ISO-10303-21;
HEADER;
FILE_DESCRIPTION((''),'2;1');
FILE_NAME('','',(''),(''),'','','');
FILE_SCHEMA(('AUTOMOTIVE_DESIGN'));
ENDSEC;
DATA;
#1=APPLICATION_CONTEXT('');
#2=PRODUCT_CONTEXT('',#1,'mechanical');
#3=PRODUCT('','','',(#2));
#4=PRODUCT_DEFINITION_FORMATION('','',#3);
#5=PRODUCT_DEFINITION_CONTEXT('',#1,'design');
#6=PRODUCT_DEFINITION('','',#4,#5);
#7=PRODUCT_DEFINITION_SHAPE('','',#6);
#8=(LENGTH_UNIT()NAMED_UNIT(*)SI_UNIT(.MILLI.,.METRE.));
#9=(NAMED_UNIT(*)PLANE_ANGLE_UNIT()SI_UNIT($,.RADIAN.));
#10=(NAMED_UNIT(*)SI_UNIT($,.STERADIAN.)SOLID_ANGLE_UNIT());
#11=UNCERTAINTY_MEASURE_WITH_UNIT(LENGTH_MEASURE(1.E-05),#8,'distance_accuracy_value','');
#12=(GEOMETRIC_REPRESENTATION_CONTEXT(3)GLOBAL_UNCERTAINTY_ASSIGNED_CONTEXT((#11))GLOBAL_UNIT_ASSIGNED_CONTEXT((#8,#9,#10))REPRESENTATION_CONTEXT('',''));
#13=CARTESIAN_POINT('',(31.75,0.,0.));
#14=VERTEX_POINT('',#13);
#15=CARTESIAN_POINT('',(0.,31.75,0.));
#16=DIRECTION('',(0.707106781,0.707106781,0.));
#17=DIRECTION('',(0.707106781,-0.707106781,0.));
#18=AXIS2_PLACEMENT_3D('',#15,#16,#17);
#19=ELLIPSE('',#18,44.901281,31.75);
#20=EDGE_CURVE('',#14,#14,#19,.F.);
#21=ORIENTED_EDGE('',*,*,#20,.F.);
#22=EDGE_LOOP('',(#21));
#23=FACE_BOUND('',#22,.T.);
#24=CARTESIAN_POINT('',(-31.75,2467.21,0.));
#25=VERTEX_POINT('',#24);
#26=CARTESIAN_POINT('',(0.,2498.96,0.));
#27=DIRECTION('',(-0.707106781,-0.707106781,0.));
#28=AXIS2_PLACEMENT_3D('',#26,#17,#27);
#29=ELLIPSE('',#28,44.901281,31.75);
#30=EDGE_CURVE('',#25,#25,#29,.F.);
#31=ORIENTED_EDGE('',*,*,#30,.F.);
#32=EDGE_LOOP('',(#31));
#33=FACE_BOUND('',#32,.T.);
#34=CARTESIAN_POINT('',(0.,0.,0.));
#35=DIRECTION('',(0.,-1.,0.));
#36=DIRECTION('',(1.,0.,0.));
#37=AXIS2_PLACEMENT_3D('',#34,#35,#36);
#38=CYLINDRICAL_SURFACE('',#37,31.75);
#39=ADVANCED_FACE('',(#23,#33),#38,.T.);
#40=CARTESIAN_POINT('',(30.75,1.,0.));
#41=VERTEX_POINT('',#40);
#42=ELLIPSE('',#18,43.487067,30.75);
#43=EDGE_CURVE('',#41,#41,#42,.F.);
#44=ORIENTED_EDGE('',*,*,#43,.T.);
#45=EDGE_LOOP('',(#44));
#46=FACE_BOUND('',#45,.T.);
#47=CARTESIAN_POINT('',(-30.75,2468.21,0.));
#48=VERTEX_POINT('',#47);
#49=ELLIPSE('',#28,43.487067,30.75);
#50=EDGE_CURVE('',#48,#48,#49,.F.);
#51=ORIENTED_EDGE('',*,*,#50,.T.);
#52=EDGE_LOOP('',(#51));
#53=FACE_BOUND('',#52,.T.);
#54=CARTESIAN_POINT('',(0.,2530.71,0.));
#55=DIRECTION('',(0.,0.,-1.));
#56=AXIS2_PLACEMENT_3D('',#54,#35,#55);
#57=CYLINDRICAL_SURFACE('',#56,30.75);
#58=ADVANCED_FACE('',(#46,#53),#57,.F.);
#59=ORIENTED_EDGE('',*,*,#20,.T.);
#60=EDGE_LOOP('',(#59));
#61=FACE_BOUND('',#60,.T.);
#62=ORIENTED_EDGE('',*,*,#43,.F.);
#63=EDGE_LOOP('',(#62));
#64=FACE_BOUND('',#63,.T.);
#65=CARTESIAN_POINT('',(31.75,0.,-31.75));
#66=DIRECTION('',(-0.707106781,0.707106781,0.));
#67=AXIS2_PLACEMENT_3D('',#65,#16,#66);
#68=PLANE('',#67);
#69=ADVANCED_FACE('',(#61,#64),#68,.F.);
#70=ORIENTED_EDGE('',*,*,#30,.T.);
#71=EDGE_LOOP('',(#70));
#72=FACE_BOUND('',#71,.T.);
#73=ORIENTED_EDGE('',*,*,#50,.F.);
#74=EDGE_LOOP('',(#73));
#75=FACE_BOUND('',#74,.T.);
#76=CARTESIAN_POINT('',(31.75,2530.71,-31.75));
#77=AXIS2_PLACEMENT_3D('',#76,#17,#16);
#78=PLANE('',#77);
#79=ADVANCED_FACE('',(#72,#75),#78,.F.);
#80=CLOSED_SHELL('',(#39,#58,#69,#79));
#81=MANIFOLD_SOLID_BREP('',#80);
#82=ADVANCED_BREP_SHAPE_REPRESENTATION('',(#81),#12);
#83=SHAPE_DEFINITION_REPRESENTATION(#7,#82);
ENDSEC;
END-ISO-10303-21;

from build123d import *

# Parameters (mm, degrees)
ESBO_O2_W                  = 31.75
ESBO_O2_H                  = 2530.71
CORTE_EXTRUS_O1_DEPTH      = 2532.108300547
CORTE_EXTRUS_O1_DEPTH_BACK = 2532.108300547
ESBO_O9_R                  = 30.75
CORTE_EXTRUS_O6_DEPTH      = 2532.108300547


with BuildPart() as part:
    # Esboço2 → Revolução2 (revolve)
    with BuildSketch(Plane.XY):
        with Locations((15.875, 1265.355)):
            Rectangle(ESBO_O2_W, ESBO_O2_H)
    revolve(axis=Axis((0, 0, 0), (0, 1, 0)))

    # Esboço3 → Corte-extrusão1 (cut, two sides: drawn at the far end of the back side and taken through both)
    with BuildSketch(Plane.XY.offset(-CORTE_EXTRUS_O1_DEPTH_BACK)):
        Polygon((-31.75, 2530.71), (31.75, 2530.71), (-31.75, 2467.21), align=None)
        Polygon((31.75, 0), (-31.75, 63.5), (-31.75, 0), align=None)
    extrude(amount=CORTE_EXTRUS_O1_DEPTH + CORTE_EXTRUS_O1_DEPTH_BACK, mode=Mode.SUBTRACT)

    # Esboço9 → Corte-extrusão6 (cut, through all)
    with BuildSketch(Plane(origin=(0, 0, 0), x_dir=(1, 0, 0), z_dir=(0, 1, 0))):
        Circle(ESBO_O9_R)
    extrude(amount=CORTE_EXTRUS_O6_DEPTH, mode=Mode.SUBTRACT)


solid = part.part
